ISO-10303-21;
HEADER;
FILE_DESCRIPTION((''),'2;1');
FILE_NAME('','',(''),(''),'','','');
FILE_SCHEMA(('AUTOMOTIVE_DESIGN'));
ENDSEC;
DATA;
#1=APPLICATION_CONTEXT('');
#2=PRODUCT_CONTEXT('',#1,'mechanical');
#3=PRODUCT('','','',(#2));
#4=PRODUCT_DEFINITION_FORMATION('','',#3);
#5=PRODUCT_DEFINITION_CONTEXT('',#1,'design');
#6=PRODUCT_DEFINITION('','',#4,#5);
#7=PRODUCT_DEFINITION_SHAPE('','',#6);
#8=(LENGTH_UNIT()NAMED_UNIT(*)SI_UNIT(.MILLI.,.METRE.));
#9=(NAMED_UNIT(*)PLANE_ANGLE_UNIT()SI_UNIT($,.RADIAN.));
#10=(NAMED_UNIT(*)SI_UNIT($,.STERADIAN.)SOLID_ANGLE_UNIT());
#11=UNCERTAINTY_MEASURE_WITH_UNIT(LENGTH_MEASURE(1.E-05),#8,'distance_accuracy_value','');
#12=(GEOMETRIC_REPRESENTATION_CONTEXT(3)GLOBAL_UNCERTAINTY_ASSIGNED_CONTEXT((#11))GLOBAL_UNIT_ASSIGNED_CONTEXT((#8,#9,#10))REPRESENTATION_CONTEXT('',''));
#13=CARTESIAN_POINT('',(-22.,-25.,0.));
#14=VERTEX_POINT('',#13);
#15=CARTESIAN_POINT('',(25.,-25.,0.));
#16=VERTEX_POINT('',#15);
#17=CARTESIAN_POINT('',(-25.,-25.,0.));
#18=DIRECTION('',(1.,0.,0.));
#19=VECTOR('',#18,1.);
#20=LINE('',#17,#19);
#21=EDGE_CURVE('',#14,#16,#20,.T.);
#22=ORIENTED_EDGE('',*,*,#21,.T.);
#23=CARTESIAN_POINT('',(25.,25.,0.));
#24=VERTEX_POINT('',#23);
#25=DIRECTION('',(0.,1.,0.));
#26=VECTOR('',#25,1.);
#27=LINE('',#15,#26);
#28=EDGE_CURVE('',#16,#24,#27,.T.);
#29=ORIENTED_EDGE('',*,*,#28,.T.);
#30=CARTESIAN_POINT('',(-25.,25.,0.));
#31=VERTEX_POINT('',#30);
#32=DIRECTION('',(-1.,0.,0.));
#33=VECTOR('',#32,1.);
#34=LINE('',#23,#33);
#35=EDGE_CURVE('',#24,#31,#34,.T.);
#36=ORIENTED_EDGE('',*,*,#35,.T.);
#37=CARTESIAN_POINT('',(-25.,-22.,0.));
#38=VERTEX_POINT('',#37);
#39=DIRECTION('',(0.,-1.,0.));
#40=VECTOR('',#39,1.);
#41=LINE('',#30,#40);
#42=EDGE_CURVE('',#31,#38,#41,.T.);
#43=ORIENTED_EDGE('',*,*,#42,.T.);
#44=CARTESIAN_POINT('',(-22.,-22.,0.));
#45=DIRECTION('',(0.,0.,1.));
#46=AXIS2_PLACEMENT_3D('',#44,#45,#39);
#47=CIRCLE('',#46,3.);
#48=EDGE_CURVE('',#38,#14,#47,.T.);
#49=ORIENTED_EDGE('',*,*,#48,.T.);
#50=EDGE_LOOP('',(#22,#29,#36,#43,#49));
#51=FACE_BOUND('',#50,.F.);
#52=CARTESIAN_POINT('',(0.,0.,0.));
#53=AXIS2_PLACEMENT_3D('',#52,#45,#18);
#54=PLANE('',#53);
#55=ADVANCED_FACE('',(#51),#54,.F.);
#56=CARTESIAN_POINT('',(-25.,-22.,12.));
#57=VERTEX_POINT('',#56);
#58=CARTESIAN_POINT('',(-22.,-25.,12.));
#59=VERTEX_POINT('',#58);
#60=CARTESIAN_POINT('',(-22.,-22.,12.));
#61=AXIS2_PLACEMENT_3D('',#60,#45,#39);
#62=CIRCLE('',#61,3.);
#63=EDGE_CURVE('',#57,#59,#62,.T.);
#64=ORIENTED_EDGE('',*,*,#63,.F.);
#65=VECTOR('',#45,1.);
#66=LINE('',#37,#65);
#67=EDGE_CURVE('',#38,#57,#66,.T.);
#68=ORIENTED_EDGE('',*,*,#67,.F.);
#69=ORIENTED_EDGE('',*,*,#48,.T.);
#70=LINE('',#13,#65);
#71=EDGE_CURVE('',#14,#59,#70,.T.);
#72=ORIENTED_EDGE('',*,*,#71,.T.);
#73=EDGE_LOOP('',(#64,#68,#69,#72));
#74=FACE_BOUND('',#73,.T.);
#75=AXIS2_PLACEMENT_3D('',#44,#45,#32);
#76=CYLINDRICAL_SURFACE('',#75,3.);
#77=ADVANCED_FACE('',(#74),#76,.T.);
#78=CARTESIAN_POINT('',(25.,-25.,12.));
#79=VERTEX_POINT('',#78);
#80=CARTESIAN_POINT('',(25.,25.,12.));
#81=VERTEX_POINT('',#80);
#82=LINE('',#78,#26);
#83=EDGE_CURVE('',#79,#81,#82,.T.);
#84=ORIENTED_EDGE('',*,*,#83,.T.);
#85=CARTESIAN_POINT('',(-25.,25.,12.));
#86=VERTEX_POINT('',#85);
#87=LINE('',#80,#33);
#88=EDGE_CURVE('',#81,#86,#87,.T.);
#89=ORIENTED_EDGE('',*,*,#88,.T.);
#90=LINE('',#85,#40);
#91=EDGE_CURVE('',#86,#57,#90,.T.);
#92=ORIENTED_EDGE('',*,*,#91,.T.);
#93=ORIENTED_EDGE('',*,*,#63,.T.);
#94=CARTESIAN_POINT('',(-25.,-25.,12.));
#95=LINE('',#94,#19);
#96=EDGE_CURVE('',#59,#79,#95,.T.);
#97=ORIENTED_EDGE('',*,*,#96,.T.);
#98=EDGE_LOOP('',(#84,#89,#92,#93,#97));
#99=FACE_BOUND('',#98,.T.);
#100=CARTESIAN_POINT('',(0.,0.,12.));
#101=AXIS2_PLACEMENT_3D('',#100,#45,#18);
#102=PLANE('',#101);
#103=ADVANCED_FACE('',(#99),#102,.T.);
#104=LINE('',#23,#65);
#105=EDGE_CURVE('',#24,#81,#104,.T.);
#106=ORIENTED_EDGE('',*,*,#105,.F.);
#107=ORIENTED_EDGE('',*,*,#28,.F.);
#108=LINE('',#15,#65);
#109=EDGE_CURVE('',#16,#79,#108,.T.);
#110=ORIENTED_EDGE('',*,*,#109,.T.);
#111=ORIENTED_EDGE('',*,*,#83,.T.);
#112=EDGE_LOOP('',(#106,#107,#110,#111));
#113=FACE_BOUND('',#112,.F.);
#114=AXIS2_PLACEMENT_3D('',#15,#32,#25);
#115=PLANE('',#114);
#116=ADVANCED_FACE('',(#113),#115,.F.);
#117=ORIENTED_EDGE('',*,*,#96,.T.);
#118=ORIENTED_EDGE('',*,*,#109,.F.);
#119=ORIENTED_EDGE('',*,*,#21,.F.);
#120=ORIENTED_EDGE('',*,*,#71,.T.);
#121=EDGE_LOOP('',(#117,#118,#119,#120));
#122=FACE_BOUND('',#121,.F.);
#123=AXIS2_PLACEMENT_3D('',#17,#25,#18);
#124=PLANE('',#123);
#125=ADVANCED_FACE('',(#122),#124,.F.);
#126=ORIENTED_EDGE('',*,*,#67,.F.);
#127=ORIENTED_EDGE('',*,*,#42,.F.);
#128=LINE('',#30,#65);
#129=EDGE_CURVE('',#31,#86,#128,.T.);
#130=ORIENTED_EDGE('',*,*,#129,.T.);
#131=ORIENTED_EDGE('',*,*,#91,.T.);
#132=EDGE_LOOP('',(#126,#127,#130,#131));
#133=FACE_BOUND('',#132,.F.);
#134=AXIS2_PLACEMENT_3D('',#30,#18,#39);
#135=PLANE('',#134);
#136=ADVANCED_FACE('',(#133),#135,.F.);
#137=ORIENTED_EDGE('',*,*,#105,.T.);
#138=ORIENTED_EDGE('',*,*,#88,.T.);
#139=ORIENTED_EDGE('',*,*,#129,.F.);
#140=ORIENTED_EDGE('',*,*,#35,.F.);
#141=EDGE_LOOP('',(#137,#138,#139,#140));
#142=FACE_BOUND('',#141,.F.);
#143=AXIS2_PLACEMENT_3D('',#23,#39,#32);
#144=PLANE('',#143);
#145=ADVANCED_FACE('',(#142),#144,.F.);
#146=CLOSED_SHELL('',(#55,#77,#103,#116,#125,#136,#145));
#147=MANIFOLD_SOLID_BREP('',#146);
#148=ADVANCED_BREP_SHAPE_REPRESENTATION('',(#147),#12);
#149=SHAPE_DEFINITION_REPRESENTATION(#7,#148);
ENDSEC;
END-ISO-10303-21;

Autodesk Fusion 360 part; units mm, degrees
sketch "Sketch1" plane through (0, 0, 0) normal (0, 0, 1) x (1, 0, 0)
  line L0 (-25, -25) -> (25, -25)
  line L1 (25, -25) -> (25, 25)
  line L2 (25, 25) -> (-25, 25)
  line L3 (-25, 25) -> (-25, -25)
  line L4 (-25, -25) -> (25, 25) construction
  line L5 (25, -25) -> (-25, 25) construction
  dimension "d1" = 50
  dimension "d2" = 50
extrude "Extrude1" add sketch "Sketch1" along normal blind 12
fillet "Fillet1" radius 3 1 edges at (-25, -25, 6)
equation "d1 = d2"
